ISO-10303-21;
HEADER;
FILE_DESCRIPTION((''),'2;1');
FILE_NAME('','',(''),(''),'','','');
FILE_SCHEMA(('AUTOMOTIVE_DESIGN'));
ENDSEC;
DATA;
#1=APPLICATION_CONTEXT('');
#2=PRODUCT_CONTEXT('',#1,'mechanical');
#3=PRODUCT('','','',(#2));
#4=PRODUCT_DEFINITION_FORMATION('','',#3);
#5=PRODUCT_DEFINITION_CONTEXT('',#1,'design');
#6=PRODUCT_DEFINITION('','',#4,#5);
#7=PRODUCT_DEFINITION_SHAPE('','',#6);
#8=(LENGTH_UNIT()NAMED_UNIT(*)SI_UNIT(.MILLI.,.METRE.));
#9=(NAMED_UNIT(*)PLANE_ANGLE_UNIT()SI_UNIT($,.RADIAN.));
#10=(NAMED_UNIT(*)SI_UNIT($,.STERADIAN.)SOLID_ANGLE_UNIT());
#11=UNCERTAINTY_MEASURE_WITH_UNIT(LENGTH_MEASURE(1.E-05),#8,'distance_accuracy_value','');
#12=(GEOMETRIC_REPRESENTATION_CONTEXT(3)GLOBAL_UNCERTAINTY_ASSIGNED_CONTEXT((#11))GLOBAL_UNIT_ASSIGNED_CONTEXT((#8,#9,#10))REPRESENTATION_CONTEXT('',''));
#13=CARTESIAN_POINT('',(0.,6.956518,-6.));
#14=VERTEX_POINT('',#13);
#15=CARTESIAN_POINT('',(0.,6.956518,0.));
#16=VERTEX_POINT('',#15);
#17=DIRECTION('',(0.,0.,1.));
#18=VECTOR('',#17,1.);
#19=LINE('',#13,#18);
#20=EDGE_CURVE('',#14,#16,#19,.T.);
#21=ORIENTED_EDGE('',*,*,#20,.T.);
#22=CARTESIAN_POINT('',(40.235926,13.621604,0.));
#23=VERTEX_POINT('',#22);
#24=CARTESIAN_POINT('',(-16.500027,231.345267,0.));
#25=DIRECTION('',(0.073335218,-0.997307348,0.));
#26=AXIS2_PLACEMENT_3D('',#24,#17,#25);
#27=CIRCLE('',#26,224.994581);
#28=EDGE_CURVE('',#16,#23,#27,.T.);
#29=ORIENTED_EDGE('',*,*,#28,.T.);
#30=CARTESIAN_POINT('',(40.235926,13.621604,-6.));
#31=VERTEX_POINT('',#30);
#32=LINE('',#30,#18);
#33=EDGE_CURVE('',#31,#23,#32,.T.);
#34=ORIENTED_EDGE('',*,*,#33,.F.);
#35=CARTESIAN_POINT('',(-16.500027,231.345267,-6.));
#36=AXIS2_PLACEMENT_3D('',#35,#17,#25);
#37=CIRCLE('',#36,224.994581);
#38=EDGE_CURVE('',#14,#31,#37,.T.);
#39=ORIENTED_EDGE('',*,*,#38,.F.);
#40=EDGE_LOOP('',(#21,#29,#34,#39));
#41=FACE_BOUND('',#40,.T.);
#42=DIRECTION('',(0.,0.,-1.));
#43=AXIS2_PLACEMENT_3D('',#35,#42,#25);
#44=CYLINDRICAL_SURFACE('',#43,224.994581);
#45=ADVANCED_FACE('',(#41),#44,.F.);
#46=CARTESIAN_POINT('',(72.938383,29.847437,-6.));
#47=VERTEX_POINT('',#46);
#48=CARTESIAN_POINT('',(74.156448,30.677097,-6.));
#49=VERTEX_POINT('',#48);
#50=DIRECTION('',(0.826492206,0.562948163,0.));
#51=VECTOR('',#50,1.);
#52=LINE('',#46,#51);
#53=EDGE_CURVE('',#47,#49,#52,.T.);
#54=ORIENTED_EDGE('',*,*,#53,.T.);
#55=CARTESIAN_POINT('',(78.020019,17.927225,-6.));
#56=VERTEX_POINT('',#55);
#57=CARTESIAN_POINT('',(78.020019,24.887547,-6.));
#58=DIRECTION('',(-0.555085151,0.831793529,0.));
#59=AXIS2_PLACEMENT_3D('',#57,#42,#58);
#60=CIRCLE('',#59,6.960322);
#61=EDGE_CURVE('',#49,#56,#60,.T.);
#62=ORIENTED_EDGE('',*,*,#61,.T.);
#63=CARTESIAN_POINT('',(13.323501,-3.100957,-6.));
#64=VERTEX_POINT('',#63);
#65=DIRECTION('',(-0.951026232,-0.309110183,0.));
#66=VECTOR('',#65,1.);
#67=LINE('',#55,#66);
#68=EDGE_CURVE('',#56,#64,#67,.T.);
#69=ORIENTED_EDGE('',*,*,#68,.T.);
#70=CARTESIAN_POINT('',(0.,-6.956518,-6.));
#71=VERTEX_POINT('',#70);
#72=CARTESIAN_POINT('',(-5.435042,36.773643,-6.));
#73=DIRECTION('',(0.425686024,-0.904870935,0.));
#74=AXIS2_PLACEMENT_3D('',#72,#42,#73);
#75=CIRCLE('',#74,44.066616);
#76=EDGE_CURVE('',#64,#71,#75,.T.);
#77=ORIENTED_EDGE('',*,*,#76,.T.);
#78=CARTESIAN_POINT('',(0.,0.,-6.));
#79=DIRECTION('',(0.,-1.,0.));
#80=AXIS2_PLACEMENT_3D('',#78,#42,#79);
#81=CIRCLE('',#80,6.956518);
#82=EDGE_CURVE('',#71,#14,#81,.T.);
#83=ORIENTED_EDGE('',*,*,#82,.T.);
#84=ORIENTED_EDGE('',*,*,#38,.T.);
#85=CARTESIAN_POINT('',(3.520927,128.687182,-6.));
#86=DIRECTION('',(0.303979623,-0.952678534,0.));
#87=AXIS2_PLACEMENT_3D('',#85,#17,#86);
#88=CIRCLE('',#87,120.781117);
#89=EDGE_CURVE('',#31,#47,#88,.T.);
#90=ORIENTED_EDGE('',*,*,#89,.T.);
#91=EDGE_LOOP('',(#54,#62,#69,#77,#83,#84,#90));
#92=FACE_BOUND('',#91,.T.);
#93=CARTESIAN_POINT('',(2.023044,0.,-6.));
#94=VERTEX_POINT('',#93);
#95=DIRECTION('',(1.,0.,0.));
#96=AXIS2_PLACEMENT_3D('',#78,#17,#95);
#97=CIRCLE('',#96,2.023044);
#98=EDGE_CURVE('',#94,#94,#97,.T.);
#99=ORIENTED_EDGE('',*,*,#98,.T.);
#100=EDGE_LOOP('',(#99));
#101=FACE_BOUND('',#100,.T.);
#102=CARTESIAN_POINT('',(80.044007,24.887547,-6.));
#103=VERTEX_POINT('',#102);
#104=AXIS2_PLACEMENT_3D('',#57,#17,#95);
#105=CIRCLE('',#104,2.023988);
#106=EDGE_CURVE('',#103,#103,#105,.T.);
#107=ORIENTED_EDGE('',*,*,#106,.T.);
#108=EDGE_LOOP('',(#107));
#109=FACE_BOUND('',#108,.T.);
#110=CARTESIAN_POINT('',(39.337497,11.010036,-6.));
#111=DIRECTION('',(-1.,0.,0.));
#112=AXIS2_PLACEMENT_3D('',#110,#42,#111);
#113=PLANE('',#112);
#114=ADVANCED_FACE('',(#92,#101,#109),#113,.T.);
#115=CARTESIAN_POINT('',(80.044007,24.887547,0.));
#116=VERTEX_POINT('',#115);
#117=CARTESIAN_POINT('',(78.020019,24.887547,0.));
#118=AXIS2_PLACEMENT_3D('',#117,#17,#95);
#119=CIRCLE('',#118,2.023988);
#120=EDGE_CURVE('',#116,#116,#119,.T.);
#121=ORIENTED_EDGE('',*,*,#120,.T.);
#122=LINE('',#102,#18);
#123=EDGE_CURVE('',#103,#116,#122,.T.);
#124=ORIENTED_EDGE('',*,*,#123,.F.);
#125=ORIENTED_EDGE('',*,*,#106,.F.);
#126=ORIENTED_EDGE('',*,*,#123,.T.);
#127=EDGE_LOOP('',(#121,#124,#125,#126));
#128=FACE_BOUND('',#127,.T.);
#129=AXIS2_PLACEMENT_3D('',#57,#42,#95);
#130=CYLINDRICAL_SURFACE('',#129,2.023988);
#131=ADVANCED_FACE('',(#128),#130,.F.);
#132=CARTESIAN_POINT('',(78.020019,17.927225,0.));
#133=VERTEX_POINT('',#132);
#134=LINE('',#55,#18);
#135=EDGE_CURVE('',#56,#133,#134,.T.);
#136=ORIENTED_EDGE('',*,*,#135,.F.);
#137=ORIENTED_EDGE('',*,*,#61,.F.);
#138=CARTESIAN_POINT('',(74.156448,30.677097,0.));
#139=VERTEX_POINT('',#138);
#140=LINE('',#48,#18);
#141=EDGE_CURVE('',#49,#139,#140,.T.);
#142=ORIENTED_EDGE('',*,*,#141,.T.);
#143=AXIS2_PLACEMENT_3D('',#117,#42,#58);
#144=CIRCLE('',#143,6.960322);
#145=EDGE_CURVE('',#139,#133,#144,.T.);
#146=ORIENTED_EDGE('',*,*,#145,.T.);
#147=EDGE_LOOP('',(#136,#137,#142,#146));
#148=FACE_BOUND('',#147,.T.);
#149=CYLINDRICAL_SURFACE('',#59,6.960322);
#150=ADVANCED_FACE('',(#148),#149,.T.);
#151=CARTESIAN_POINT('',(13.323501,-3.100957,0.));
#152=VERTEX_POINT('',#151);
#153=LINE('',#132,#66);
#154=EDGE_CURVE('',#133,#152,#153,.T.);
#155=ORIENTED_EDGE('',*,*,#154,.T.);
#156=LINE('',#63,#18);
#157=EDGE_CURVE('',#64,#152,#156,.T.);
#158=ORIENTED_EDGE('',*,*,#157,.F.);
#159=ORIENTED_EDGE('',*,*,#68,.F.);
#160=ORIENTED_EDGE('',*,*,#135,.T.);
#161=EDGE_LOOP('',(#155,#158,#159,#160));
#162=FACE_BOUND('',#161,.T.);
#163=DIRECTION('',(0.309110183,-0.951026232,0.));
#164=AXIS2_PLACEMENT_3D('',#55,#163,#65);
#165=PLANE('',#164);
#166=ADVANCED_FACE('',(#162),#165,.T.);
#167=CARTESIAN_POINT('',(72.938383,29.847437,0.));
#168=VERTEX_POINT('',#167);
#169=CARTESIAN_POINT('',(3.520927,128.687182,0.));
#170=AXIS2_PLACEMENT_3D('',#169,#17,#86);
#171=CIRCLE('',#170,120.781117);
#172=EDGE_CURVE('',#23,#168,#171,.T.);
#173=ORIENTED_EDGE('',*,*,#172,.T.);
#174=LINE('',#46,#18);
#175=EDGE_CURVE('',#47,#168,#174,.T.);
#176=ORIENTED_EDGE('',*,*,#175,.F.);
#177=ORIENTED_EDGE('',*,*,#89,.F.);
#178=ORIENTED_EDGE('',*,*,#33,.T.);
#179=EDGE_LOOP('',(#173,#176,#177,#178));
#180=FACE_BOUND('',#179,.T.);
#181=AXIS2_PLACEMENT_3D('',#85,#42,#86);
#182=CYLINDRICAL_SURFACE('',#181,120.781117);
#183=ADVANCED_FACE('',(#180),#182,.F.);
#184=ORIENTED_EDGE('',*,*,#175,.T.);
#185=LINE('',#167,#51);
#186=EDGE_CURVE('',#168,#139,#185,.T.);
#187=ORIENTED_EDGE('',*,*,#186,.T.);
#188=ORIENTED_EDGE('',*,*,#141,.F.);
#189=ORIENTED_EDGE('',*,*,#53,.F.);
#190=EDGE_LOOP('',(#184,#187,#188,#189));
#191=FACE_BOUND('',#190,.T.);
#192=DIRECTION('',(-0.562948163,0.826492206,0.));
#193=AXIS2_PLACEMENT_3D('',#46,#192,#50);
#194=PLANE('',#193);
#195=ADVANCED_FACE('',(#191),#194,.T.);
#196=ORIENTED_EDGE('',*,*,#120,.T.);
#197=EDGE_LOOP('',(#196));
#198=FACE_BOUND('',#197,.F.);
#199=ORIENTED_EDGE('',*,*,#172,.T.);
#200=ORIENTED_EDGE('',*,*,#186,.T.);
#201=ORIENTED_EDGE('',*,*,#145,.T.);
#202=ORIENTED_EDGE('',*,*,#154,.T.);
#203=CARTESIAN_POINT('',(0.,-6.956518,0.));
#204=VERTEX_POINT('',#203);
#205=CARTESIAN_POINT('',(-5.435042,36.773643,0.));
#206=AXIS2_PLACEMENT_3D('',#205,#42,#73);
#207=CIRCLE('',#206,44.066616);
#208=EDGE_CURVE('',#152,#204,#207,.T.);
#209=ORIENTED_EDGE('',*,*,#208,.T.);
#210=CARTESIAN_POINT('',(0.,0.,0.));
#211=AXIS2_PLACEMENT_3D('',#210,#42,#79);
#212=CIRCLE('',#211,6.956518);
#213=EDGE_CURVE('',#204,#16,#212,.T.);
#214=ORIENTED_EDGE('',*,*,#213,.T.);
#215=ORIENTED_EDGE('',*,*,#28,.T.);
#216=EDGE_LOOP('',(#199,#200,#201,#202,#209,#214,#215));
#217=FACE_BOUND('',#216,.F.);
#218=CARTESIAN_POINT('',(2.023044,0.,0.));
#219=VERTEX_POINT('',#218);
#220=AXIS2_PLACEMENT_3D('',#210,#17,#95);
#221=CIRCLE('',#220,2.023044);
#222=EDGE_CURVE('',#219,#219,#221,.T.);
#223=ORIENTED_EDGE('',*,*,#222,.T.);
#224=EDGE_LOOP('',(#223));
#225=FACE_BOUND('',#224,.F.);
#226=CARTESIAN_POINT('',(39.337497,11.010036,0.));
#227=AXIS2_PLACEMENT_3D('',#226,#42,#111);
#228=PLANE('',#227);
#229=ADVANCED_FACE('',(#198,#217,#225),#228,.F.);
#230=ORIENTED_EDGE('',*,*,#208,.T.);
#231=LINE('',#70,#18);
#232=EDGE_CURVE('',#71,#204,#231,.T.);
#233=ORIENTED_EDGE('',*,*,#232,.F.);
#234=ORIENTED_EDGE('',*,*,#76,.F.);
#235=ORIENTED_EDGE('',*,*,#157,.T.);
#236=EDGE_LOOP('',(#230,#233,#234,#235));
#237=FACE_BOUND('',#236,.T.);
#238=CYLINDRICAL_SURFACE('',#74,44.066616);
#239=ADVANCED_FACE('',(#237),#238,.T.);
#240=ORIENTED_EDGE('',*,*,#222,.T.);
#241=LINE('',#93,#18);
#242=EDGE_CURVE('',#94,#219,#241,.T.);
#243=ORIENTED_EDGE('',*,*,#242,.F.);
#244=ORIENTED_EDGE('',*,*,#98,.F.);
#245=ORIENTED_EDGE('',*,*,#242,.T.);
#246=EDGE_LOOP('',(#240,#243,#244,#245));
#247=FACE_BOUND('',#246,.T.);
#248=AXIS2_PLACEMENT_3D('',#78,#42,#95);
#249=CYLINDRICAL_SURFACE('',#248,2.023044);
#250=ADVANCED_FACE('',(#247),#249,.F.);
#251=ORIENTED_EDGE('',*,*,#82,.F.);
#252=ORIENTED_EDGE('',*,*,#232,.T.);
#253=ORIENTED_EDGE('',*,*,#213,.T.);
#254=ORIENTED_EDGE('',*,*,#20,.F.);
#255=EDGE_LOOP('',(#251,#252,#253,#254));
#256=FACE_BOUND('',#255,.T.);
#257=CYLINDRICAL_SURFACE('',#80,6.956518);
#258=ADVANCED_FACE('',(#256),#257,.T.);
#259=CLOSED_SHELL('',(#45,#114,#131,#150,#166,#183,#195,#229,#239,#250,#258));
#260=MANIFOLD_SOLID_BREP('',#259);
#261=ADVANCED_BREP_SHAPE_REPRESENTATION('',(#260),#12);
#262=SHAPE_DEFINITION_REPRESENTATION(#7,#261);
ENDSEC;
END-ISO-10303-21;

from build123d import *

# Parameters (mm, degrees)
SKETCH1_R           = 2.023987864
SKETCH1_R_2         = 2.023043511
BOSS_EXTRUDE1_DEPTH = 6


with BuildPart() as part:
    # Sketch1 → Boss-Extrude1 (new body)
    with BuildSketch(Plane.XY):
        with BuildLine():
            ThreePointArc((40.235925581, 13.621604134), (57.203735223, 20.491828906), (72.938383073, 29.847437358))
            Line((72.938383073, 29.847437358), (74.156447949, 30.67709719))
            ThreePointArc((74.156447949, 30.67709719), (84.681220688, 26.906078771), (78.020019153, 17.927224989))
            Line((78.020019153, 17.927224989), (13.323500668, -3.100956986))
            ThreePointArc((13.323500668, -3.100956986), (6.814395622, -5.556227345), (0, -6.956517793))
            ThreePointArc((0, -6.956517793), (-6.956517793, 0), (0, 6.956517793))
            ThreePointArc((0, 6.956517793), (20.269294729, 9.375497313), (40.235925581, 13.621604134))
        make_face()
        with Locations((78.020019153, 24.887546661)):
            Circle(SKETCH1_R, mode=Mode.SUBTRACT)
        Circle(SKETCH1_R_2, mode=Mode.SUBTRACT)
    extrude(amount=BOSS_EXTRUDE1_DEPTH)


with BuildPart() as part_1:
    # Body-Move/Copy1: moved
    add(part.part.moved(Location((0, 0, -6))))


solid = part_1.part
